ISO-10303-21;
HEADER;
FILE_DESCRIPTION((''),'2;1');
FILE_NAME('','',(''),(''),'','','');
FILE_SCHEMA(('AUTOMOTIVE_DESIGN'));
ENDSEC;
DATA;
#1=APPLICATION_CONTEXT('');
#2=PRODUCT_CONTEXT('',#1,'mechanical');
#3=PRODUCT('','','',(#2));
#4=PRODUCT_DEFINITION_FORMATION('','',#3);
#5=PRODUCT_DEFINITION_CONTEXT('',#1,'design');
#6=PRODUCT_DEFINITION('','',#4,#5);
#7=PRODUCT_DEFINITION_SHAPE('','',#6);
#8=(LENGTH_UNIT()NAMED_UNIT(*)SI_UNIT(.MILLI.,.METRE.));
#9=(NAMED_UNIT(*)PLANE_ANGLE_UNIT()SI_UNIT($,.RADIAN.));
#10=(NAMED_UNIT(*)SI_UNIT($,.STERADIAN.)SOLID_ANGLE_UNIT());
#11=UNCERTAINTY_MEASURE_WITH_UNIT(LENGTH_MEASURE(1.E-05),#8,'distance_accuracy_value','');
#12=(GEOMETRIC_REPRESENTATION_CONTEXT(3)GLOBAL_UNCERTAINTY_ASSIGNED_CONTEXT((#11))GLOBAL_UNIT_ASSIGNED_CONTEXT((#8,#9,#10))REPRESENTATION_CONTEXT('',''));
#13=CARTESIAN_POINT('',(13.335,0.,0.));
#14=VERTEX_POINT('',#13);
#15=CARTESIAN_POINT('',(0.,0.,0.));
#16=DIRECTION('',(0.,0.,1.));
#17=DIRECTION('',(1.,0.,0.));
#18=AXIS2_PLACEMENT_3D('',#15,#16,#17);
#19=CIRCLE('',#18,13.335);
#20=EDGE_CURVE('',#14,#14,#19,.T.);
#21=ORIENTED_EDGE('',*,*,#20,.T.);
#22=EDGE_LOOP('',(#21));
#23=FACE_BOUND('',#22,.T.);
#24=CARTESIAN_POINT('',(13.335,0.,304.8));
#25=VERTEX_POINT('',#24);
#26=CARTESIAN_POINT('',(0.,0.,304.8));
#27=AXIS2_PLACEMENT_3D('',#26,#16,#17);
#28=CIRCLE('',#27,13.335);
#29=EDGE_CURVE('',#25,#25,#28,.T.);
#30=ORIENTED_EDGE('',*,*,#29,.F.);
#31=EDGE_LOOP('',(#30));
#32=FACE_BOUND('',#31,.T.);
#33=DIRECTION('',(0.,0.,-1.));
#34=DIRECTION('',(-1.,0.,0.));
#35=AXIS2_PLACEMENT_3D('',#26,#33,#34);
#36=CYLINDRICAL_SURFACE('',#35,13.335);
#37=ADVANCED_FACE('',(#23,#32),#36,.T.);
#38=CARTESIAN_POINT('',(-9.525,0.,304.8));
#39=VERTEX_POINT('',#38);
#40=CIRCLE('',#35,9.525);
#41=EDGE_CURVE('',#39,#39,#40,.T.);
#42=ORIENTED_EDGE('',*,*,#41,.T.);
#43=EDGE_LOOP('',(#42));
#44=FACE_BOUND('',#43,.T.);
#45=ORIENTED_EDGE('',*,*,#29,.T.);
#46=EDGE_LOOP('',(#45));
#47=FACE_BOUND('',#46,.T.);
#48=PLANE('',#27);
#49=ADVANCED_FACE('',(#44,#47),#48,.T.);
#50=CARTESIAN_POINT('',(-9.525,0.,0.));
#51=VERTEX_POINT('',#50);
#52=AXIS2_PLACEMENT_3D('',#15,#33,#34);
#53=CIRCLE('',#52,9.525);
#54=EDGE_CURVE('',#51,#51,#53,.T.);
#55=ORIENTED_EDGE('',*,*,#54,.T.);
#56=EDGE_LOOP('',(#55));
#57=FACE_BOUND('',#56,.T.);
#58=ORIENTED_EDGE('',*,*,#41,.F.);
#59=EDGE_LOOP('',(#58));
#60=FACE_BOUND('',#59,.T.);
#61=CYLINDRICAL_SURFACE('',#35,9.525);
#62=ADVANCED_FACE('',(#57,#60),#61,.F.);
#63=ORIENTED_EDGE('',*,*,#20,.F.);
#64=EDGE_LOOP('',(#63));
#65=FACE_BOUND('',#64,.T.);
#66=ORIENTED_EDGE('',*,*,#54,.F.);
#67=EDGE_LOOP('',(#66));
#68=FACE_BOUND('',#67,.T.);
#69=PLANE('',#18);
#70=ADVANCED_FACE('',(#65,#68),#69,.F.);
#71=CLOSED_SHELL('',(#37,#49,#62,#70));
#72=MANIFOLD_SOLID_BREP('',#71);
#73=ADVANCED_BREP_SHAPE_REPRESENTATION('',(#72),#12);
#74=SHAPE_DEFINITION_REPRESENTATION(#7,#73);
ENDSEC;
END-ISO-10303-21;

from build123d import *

# Parameters (mm, degrees)
SKETCH1_R           = 13.335
BOSS_EXTRUDE1_DEPTH = 304.8
SKETCH2_R           = 9.525
CUT_EXTRUDE1_DEPTH  = 305.8


with BuildPart() as part:
    # Sketch1 → Boss-Extrude1 (new body)
    with BuildSketch(Plane.XY):
        Circle(SKETCH1_R)
    extrude(amount=BOSS_EXTRUDE1_DEPTH)

    # Sketch2 → Cut-Extrude1 (cut, through all)
    with BuildSketch(Plane(origin=(0, 0, 0), x_dir=(-1, 0, 0), z_dir=(0, 0, -1))):
        Circle(SKETCH2_R)
    extrude(amount=-CUT_EXTRUDE1_DEPTH, mode=Mode.SUBTRACT)


solid = part.part
